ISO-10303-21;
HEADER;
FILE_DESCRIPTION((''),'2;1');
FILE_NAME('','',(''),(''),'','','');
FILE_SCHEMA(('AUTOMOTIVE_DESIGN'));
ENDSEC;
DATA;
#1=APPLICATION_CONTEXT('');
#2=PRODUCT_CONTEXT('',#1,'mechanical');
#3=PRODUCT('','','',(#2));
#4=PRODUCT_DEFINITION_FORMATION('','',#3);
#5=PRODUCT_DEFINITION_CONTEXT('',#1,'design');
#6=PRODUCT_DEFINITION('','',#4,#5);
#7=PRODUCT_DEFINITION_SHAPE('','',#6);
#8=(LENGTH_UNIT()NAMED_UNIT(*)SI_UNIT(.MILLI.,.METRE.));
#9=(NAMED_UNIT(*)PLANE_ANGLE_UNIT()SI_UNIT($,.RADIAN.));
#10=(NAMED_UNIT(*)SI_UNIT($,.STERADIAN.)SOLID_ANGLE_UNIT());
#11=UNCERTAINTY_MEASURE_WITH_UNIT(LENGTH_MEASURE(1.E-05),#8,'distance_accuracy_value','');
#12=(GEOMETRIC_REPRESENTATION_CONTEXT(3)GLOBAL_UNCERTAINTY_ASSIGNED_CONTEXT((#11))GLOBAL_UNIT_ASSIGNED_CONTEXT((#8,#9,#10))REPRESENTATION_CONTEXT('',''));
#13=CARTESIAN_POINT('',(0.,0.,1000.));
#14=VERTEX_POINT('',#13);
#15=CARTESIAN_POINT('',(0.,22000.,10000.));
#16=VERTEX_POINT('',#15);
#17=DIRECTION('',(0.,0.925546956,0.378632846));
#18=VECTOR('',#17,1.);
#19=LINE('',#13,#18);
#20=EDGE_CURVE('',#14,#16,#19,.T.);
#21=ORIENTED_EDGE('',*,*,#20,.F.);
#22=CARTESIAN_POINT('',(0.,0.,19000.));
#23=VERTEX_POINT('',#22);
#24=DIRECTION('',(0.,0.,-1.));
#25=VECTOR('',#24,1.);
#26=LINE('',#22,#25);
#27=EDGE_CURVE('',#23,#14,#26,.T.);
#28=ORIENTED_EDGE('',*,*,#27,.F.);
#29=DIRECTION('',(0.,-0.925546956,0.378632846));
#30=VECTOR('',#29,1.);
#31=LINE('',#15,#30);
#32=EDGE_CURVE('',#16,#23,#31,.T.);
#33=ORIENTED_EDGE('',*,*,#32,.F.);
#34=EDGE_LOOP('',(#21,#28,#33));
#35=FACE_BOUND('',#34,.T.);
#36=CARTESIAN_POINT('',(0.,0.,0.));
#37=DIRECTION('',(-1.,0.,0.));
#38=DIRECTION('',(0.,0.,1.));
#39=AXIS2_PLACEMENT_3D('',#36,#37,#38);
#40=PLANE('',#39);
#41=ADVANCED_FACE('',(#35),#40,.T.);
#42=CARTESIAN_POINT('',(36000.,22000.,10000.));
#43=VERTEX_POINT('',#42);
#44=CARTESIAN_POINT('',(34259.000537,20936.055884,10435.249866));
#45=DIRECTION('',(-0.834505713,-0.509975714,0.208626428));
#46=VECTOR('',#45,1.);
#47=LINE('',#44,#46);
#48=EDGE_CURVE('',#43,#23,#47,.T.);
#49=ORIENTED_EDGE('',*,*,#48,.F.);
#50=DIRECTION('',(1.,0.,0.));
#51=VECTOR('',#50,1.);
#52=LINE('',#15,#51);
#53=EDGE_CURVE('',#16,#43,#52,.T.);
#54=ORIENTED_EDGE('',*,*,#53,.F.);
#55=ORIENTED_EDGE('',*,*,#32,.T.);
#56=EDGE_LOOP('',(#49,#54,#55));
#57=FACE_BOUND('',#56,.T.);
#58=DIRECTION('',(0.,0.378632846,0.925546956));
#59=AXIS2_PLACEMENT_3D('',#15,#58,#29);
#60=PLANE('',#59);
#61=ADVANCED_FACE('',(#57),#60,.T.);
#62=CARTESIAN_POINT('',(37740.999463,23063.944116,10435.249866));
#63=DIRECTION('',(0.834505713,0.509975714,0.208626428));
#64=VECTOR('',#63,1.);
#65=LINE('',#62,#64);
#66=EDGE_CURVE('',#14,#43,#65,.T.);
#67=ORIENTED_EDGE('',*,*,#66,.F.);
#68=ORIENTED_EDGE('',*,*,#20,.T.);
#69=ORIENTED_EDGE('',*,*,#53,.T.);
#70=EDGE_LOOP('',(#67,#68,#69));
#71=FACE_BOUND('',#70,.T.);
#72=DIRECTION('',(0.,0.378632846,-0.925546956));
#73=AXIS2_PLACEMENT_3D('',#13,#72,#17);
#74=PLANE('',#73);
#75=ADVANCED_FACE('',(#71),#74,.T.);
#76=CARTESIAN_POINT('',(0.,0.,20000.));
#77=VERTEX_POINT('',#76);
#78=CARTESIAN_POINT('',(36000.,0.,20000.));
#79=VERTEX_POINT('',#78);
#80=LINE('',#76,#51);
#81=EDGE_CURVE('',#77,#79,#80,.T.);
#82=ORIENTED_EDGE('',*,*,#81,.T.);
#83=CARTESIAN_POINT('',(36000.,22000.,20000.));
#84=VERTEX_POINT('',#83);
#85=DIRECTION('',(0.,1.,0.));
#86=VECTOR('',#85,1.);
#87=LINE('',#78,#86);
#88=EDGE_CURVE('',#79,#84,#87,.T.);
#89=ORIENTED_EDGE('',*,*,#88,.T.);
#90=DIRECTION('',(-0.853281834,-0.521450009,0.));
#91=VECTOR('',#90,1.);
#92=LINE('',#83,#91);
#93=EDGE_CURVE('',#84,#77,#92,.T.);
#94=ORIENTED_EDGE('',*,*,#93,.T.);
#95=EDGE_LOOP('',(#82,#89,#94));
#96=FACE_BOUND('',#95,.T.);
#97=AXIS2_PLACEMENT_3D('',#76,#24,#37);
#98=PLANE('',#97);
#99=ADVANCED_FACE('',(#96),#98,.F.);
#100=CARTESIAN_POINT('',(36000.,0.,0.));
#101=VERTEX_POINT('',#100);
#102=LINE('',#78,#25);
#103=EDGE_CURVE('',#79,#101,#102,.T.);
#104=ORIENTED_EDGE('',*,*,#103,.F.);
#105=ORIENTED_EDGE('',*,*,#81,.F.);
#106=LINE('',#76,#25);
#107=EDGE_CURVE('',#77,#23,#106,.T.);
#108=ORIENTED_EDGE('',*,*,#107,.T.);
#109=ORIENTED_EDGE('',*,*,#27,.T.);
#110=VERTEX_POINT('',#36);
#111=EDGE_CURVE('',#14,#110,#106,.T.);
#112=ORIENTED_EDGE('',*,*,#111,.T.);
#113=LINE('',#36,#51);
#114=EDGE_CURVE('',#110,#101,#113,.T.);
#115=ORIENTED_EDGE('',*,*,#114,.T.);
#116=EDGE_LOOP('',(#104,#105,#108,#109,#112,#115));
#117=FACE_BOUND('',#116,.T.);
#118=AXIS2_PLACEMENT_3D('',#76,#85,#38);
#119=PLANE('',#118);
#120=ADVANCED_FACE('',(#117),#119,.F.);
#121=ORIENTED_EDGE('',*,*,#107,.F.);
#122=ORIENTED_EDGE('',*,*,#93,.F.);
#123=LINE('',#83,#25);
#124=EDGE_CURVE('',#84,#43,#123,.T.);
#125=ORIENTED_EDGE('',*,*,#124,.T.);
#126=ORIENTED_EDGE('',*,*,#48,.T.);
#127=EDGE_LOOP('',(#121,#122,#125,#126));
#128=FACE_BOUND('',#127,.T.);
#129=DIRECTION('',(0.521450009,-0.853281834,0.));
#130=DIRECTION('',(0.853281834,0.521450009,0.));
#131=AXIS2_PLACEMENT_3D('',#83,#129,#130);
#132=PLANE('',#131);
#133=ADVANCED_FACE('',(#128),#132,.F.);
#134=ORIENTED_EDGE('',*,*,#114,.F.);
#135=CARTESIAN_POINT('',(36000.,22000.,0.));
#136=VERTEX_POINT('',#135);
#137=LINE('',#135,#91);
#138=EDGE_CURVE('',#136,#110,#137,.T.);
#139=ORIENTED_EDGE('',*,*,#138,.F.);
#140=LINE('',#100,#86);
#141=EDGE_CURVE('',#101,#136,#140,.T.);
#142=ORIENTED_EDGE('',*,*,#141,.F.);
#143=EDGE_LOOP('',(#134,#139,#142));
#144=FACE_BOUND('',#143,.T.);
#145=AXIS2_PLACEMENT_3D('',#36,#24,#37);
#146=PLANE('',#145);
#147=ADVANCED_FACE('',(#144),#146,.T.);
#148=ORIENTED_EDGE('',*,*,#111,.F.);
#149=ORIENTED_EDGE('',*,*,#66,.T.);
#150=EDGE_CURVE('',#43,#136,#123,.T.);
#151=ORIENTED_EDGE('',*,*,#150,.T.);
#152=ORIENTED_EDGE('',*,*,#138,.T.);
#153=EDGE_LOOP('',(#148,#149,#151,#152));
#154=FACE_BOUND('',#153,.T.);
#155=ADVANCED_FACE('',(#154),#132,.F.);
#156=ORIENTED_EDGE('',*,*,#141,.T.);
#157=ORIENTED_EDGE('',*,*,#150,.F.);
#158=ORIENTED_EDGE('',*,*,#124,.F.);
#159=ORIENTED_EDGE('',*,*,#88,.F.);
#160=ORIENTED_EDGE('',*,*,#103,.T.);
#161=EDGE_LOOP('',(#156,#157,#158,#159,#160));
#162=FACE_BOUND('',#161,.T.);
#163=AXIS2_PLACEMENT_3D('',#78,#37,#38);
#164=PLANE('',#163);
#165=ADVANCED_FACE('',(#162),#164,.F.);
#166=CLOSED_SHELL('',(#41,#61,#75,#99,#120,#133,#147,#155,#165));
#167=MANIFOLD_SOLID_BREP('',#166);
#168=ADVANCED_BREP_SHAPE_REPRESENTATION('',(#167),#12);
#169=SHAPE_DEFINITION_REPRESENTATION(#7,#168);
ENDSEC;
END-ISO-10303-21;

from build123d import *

# Parameters (mm, degrees)
BOSS_EXTRUDE1_DEPTH = 20000
BOSS_EXTRUDE3_DEPTH = 36000


with BuildPart() as part:
    # Sketch1 → Boss-Extrude1 (new body)
    with BuildSketch(Plane.XY):
        Polygon((0, 0), (36000, 0), (36000, 22000), align=None)
    extrude(amount=BOSS_EXTRUDE1_DEPTH)

    # Sketch3 → Boss-Extrude3 (add)
    with BuildSketch(Plane(origin=(36000, 0, 0), x_dir=(0, 0, -1), z_dir=(1, 0, 0))):
        Polygon((-10000, 22000), (-19000, 0), (-1000, 0), align=None)
    extrude(amount=-BOSS_EXTRUDE3_DEPTH)


solid = part.part
